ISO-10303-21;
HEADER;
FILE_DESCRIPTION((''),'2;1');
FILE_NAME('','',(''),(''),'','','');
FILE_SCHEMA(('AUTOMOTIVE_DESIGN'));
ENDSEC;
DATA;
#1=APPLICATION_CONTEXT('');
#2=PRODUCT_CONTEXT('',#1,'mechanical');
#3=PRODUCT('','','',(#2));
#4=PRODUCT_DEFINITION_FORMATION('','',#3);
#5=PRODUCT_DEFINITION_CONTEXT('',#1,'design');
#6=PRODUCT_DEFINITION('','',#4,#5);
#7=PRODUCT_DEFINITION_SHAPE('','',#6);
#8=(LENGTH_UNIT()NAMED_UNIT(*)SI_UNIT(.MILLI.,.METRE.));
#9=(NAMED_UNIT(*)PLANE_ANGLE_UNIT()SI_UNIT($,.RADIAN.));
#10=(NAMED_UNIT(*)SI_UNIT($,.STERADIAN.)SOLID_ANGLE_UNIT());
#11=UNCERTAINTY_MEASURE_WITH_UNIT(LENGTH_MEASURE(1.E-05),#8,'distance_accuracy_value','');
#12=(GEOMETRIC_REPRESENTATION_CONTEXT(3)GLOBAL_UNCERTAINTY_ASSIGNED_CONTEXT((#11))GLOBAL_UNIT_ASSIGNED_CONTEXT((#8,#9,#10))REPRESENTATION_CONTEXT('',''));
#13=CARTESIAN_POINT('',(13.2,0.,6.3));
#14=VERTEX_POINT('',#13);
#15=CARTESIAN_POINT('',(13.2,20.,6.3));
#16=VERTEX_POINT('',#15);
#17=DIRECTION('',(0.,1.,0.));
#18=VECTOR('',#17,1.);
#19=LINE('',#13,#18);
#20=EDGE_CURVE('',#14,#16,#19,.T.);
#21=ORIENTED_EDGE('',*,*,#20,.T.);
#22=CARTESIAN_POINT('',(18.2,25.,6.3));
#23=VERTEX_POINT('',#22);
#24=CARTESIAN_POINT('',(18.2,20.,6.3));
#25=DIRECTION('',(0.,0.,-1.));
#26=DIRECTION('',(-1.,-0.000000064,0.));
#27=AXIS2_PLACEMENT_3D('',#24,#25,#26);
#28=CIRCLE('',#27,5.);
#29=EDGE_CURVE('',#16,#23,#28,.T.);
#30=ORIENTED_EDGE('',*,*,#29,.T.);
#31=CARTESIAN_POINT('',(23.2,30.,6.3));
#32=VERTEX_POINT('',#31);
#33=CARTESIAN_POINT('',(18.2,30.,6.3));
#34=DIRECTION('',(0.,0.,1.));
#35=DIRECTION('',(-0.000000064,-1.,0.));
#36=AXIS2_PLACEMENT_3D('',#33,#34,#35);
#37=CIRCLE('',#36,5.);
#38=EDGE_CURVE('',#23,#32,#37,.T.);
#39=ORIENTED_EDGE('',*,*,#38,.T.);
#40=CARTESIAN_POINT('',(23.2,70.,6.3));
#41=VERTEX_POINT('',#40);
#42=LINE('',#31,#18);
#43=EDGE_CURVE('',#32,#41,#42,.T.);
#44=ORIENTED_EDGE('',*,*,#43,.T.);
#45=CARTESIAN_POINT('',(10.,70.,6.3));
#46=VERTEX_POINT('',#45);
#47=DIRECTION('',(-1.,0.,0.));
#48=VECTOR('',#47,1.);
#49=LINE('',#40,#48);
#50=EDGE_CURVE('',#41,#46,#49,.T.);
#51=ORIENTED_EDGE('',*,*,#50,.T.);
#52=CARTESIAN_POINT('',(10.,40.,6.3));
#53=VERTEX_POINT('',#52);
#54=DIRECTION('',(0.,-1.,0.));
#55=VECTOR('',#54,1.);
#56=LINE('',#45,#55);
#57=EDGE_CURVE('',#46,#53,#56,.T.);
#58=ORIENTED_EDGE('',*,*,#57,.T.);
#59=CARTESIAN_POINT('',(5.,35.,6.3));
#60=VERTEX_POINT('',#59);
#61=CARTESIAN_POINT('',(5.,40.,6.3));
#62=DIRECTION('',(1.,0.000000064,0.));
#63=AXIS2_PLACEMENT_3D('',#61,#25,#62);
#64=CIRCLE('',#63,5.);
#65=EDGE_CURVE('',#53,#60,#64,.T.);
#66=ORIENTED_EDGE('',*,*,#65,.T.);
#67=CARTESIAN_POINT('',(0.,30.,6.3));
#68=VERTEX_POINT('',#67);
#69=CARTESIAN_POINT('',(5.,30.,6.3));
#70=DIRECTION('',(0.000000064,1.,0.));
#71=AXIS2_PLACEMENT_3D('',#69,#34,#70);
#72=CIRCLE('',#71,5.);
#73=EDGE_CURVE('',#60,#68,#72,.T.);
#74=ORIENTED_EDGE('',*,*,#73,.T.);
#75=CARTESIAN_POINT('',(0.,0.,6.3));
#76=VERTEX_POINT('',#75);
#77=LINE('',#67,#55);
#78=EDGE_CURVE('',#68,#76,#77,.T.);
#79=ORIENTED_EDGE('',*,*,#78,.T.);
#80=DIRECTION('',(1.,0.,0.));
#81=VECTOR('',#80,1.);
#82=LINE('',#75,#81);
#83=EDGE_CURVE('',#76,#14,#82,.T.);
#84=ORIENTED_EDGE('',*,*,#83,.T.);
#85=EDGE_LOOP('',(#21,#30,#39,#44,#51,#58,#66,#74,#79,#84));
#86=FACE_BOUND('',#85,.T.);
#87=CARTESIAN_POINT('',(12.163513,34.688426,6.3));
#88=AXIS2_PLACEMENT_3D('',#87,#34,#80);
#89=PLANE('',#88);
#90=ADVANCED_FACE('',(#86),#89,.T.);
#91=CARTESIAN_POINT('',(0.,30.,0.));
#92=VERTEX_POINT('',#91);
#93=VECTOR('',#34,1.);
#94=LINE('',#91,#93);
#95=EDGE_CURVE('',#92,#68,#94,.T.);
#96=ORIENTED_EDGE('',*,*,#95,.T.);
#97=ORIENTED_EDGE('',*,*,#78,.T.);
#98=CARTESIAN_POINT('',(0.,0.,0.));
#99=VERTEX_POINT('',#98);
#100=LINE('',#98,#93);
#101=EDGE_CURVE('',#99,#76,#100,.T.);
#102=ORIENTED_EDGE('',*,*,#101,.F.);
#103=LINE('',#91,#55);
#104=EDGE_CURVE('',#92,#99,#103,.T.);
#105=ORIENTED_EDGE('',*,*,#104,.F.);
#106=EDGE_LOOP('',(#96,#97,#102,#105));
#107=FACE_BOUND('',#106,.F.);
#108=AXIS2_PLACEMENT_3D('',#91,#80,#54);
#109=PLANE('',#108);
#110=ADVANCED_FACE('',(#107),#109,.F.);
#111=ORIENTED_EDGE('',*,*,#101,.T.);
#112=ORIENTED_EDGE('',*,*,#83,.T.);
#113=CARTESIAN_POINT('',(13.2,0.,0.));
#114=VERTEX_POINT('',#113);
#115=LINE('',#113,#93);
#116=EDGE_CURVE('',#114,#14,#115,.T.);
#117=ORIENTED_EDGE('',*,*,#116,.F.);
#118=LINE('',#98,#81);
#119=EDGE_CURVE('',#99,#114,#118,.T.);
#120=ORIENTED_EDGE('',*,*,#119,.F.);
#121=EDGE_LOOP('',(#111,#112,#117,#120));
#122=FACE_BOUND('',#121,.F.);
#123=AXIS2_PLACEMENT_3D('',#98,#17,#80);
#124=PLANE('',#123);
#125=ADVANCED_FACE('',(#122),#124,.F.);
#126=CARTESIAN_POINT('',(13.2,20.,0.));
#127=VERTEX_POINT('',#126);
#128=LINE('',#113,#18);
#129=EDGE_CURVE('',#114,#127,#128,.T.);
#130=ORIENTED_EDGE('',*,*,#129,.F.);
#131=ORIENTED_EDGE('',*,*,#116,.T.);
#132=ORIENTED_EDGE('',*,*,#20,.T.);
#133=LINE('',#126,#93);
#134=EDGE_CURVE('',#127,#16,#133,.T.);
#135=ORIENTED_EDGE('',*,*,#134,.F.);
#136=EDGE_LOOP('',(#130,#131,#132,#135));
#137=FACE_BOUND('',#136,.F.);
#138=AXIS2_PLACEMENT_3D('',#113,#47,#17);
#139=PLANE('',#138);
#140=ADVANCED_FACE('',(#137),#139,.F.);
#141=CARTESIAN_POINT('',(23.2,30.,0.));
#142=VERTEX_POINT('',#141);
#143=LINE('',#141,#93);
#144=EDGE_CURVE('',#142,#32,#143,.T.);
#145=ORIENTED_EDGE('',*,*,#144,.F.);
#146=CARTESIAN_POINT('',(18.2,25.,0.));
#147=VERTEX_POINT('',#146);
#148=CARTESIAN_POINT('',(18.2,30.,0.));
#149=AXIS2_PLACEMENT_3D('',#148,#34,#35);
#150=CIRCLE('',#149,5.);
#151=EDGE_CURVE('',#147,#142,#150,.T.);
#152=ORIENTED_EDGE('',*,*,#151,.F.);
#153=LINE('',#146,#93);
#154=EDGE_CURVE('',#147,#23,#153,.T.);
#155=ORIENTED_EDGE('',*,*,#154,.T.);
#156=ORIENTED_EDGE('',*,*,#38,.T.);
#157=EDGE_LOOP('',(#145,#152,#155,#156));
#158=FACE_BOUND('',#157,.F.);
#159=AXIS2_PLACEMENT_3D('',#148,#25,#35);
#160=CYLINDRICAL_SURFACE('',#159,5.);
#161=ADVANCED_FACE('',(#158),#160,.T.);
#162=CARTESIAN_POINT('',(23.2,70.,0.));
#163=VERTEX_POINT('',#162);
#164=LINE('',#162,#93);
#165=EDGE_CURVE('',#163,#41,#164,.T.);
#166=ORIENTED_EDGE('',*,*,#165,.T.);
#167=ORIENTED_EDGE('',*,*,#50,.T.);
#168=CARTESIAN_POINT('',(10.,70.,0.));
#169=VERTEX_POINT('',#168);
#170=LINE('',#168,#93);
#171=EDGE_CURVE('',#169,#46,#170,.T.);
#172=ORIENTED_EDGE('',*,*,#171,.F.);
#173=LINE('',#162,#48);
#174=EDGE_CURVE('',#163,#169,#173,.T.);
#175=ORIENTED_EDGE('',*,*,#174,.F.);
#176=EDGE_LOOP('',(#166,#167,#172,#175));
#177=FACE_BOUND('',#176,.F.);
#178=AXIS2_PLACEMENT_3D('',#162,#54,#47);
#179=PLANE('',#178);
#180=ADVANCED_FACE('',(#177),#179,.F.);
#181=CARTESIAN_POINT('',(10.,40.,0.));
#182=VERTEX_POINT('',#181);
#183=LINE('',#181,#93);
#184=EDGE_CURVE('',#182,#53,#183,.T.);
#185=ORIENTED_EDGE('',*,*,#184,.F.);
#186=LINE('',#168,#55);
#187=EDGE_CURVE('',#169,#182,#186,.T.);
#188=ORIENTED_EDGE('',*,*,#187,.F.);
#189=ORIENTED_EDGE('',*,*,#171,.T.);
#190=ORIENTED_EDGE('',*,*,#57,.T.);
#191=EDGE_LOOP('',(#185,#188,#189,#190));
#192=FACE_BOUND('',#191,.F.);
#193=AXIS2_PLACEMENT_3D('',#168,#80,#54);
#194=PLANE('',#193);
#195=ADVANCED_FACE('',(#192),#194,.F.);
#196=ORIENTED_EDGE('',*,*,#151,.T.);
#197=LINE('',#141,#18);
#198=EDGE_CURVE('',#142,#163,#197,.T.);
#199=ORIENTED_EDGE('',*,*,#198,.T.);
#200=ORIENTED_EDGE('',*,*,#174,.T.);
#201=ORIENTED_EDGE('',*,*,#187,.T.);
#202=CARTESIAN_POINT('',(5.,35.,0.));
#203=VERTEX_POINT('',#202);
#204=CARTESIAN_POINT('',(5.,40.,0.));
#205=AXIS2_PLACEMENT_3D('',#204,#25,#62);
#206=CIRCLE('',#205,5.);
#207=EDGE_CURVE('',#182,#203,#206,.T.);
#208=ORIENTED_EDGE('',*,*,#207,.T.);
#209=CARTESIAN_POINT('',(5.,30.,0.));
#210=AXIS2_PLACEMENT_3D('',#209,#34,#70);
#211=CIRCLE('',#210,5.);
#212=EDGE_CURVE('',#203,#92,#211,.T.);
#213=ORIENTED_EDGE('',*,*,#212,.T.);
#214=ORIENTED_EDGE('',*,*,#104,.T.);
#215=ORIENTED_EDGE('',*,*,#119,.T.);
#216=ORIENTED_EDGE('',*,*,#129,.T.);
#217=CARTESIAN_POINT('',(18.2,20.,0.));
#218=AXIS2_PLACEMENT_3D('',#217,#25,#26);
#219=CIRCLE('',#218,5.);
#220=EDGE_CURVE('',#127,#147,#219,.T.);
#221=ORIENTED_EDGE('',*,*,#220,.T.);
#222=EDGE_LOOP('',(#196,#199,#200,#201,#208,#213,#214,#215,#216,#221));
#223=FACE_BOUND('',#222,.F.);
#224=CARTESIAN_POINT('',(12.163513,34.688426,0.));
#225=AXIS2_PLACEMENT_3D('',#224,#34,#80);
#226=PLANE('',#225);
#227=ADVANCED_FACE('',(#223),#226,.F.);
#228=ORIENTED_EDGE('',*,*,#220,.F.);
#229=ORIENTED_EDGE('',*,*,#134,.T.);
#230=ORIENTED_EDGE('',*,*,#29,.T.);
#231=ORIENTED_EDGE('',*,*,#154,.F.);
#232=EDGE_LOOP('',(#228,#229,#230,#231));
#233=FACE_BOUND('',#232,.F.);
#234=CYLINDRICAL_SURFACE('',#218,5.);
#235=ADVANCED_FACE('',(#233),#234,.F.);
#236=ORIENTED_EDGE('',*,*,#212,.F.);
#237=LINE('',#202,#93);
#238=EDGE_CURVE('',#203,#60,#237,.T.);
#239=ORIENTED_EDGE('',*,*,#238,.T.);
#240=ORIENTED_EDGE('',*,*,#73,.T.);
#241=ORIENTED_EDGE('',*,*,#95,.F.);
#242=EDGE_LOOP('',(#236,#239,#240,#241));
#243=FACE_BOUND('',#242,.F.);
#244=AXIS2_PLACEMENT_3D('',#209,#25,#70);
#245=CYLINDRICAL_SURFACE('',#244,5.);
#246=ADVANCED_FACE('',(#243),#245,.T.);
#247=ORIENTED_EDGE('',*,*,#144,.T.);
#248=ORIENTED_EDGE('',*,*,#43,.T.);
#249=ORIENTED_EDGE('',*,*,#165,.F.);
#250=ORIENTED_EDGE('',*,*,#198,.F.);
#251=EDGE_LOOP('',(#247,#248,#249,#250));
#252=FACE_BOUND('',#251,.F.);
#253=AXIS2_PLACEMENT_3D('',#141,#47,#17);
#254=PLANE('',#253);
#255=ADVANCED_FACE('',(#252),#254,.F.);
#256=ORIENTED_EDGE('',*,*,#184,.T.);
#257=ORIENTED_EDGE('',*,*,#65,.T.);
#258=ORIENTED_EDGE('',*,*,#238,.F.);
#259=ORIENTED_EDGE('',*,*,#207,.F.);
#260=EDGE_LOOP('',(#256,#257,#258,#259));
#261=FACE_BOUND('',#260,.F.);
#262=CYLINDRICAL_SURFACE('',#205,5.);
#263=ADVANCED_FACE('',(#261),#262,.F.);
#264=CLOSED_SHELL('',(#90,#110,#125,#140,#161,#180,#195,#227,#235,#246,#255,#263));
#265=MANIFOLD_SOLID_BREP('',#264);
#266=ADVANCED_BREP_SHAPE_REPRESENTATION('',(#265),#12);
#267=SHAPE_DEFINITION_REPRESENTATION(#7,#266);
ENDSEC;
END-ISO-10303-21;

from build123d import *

# Parameters (mm, degrees)
F1_DEPTH = 6.3


with BuildPart() as f1:
    # F0 (on Top) → F1 (new body)
    with BuildSketch(Plane.XY):
        with BuildLine():
            Line((0, 30), (0, 0))
            Line((0, 0), (13.2, 0))
            Line((13.2, 0), (13.2, 20))
            ThreePointArc((13.2, 20), (14.664466, 23.535534), (18.2, 25))
            ThreePointArc((18.2, 25), (21.735534, 26.464466), (23.2, 30))
            Line((23.2, 30), (23.2, 70))
            Line((23.2, 70), (10, 70))
            Line((10, 70), (10, 40))
            ThreePointArc((10, 40), (8.535534, 36.464466), (5, 35))
            ThreePointArc((5, 35), (1.464466, 33.535534), (0, 30))
        make_face()
    extrude(amount=F1_DEPTH)


solid = f1.part
